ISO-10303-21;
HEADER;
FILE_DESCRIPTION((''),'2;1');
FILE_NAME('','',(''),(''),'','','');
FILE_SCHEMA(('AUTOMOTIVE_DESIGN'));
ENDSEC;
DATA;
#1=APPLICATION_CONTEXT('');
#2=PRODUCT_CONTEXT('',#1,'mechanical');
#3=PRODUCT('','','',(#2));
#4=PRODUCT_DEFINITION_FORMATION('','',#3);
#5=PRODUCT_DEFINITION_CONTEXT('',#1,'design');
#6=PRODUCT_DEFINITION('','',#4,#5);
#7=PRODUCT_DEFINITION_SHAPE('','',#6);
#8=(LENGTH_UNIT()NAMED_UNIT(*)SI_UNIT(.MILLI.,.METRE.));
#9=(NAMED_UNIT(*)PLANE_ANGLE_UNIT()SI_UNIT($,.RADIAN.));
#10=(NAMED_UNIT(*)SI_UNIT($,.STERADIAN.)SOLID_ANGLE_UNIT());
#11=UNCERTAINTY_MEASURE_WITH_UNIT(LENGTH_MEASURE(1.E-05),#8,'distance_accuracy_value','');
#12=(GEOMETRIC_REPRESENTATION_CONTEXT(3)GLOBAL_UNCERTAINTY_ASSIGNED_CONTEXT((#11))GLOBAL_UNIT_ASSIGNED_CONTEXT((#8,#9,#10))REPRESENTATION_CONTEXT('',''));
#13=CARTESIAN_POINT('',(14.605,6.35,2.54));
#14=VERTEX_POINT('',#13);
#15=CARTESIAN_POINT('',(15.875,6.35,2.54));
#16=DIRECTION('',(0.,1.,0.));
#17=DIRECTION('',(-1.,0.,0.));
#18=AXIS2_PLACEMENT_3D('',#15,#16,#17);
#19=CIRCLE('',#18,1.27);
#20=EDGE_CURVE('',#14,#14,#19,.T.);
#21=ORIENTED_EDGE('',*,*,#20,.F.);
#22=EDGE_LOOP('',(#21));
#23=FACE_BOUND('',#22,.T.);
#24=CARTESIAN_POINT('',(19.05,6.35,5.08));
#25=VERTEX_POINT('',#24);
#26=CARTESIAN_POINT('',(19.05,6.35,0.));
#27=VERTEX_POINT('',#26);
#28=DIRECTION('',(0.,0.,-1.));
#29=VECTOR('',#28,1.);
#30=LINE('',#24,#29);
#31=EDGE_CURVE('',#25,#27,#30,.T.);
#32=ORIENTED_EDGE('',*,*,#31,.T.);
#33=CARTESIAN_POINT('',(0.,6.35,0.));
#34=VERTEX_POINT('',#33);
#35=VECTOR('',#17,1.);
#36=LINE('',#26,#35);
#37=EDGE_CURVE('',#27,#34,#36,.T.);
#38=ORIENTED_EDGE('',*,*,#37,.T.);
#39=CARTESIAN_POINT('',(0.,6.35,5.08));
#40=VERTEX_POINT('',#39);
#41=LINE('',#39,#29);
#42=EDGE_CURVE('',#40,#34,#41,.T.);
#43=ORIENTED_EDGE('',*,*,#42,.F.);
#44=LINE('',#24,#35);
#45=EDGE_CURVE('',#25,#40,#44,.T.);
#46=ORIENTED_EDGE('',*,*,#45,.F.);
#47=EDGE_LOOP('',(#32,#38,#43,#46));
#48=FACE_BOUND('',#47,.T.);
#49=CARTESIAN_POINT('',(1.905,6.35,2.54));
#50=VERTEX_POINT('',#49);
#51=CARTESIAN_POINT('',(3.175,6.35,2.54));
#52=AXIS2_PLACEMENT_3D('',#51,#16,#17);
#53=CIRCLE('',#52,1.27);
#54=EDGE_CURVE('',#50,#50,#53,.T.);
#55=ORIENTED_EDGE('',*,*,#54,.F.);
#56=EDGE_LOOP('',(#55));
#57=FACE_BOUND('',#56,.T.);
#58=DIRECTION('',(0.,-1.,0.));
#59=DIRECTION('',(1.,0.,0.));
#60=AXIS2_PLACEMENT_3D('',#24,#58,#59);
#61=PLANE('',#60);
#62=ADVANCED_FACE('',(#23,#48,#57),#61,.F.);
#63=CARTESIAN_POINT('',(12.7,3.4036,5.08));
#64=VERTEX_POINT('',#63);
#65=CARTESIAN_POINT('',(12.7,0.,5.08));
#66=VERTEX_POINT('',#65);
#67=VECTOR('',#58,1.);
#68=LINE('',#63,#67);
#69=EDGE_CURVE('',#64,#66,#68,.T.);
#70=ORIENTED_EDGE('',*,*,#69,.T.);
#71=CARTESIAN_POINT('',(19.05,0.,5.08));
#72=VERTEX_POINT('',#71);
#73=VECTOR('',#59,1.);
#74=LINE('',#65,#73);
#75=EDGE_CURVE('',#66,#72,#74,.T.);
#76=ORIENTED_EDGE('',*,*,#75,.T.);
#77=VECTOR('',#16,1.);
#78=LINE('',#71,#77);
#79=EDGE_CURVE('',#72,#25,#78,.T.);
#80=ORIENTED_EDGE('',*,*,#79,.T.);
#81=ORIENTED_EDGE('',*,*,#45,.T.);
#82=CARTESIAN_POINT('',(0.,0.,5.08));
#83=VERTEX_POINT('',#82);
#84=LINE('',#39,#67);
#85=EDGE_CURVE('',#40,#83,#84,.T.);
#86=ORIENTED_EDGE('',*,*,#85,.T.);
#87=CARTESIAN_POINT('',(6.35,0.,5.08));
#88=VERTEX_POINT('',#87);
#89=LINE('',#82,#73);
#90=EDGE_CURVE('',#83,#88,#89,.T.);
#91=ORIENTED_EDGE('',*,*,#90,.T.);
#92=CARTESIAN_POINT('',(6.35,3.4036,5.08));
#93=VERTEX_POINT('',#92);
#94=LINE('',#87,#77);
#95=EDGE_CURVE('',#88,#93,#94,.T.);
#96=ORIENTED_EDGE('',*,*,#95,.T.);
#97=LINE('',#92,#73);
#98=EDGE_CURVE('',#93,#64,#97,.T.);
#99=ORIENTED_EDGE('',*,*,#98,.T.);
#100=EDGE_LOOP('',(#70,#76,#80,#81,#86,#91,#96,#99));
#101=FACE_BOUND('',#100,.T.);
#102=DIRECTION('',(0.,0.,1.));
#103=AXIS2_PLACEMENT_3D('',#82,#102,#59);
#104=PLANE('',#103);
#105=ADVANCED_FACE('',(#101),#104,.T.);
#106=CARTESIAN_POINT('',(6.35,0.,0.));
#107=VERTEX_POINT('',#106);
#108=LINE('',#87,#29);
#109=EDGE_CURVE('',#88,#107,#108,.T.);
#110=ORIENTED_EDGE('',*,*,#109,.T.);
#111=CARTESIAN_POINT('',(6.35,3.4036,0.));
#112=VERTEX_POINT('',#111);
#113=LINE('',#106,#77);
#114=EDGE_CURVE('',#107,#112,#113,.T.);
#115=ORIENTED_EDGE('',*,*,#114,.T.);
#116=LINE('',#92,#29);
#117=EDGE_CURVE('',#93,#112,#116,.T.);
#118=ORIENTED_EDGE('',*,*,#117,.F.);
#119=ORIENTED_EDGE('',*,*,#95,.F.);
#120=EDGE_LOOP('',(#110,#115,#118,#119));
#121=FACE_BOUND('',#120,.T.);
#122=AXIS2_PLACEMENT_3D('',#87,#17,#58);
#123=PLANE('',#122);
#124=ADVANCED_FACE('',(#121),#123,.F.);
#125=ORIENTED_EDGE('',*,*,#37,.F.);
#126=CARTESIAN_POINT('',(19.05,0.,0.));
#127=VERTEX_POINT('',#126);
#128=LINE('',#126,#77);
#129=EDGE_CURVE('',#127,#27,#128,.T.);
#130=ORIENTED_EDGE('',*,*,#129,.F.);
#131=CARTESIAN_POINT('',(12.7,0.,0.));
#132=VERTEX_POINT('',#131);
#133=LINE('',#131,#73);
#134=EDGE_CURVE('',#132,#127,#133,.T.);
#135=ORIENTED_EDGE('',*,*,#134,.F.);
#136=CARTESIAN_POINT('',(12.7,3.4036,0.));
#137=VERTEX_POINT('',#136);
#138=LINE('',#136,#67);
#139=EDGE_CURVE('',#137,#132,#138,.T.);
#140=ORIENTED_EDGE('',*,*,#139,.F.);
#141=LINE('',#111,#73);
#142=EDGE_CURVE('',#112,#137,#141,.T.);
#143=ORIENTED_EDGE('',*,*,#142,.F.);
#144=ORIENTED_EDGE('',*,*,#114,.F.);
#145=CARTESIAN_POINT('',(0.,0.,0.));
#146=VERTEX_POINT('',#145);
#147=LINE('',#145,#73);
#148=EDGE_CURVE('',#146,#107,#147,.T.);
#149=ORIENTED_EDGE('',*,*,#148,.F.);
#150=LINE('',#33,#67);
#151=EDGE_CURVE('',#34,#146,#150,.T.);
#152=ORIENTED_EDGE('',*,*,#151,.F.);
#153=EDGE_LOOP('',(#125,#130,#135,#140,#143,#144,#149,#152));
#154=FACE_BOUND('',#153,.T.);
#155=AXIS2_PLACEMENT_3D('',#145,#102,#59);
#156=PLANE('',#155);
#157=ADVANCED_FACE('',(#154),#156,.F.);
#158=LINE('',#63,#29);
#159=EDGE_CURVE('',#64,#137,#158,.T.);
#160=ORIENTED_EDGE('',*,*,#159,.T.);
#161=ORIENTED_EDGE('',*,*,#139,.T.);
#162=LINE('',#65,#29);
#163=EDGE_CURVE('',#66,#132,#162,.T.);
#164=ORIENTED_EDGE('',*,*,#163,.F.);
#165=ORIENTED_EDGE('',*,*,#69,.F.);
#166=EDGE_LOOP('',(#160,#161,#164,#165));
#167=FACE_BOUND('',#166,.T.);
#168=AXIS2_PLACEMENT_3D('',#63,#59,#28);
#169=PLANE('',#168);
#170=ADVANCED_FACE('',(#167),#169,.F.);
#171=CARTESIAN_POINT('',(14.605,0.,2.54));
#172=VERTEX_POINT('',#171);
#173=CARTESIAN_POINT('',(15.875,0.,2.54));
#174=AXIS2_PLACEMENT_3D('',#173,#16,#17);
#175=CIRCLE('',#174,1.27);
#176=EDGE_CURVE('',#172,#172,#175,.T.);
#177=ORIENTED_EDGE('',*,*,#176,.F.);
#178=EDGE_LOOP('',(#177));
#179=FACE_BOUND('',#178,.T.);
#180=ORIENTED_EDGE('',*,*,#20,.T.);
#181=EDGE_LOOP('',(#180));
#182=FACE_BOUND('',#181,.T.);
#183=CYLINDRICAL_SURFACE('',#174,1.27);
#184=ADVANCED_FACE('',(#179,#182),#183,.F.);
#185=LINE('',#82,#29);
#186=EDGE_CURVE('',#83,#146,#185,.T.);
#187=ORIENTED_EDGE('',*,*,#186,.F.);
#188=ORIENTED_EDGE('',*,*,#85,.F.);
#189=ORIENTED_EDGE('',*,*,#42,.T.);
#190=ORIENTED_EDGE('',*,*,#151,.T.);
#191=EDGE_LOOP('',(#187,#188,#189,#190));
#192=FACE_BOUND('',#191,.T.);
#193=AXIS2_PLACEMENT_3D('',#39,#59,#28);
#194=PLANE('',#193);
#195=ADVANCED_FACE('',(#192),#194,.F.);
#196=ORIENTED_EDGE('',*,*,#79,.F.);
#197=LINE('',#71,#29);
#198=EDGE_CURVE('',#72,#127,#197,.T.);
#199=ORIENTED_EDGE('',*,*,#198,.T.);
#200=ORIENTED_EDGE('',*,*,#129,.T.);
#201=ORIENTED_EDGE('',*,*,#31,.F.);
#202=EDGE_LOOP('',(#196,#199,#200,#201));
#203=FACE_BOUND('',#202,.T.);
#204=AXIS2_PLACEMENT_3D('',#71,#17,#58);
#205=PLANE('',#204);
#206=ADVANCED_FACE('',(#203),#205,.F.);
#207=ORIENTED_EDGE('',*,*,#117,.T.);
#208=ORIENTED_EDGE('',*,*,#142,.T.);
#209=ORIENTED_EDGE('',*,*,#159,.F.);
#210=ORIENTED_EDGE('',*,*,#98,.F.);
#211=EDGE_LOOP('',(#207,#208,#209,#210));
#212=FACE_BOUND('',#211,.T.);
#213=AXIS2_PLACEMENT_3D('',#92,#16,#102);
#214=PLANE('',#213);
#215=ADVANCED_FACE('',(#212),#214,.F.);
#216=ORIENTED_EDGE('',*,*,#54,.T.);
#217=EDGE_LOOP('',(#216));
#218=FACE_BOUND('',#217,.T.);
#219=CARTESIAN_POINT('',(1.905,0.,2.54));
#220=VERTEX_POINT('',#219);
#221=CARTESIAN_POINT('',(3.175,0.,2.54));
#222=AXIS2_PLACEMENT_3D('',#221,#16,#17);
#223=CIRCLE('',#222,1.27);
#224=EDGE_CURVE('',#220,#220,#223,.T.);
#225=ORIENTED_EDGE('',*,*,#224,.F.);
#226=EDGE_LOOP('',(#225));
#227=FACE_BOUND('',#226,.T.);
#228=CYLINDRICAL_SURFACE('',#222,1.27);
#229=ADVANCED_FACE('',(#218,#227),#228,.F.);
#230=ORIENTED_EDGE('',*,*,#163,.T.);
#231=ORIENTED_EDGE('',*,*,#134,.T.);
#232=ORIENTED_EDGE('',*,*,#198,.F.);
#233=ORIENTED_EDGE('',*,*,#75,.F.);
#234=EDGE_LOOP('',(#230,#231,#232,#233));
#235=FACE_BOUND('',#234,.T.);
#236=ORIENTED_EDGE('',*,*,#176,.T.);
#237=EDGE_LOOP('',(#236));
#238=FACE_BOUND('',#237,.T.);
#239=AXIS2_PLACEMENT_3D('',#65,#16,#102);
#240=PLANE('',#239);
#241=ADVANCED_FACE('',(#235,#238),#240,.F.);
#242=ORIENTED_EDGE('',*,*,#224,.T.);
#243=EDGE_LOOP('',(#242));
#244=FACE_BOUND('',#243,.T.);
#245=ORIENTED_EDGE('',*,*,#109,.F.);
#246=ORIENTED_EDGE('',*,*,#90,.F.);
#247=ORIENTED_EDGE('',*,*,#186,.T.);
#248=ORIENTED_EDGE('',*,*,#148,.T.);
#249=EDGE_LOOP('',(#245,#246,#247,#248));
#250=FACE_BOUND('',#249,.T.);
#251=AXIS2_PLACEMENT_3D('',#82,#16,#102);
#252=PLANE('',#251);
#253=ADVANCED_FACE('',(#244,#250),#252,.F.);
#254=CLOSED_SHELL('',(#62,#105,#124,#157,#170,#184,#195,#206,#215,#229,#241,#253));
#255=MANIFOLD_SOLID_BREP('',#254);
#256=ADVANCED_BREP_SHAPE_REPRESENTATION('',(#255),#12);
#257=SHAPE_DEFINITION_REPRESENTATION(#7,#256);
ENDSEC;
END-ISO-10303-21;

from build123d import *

# Parameters (mm, degrees)
BOSS_EXTRUDE1_DEPTH = 5.08
SKETCH2_R           = 1.27
CUT_EXTRUDE1_DEPTH  = 21.713073166


with BuildPart() as part:
    # Sketch1 → Boss-Extrude1 (new body)
    with BuildSketch(Plane.XY):
        Polygon((0, 0), (6.35, 0), (6.35, 3.4036), (12.7, 3.4036), (12.7, 0), (19.05, 0), (19.05, 6.35), (0, 6.35), align=None)
    extrude(amount=BOSS_EXTRUDE1_DEPTH)

    # Sketch2 → Cut-Extrude1 (cut, through all)
    with BuildSketch(Plane(origin=(0, 6.35, 0), x_dir=(1, 0, 0), z_dir=(0, 1, 0))):
        with Locations(Location((3.175, -2.54, 0), (0, 0, 180))):
            Circle(SKETCH2_R)
        with Locations(Location((15.875, -2.54, 0), (0, 0, 180))):
            Circle(SKETCH2_R)
    extrude(amount=-CUT_EXTRUDE1_DEPTH, mode=Mode.SUBTRACT)


solid = part.part
